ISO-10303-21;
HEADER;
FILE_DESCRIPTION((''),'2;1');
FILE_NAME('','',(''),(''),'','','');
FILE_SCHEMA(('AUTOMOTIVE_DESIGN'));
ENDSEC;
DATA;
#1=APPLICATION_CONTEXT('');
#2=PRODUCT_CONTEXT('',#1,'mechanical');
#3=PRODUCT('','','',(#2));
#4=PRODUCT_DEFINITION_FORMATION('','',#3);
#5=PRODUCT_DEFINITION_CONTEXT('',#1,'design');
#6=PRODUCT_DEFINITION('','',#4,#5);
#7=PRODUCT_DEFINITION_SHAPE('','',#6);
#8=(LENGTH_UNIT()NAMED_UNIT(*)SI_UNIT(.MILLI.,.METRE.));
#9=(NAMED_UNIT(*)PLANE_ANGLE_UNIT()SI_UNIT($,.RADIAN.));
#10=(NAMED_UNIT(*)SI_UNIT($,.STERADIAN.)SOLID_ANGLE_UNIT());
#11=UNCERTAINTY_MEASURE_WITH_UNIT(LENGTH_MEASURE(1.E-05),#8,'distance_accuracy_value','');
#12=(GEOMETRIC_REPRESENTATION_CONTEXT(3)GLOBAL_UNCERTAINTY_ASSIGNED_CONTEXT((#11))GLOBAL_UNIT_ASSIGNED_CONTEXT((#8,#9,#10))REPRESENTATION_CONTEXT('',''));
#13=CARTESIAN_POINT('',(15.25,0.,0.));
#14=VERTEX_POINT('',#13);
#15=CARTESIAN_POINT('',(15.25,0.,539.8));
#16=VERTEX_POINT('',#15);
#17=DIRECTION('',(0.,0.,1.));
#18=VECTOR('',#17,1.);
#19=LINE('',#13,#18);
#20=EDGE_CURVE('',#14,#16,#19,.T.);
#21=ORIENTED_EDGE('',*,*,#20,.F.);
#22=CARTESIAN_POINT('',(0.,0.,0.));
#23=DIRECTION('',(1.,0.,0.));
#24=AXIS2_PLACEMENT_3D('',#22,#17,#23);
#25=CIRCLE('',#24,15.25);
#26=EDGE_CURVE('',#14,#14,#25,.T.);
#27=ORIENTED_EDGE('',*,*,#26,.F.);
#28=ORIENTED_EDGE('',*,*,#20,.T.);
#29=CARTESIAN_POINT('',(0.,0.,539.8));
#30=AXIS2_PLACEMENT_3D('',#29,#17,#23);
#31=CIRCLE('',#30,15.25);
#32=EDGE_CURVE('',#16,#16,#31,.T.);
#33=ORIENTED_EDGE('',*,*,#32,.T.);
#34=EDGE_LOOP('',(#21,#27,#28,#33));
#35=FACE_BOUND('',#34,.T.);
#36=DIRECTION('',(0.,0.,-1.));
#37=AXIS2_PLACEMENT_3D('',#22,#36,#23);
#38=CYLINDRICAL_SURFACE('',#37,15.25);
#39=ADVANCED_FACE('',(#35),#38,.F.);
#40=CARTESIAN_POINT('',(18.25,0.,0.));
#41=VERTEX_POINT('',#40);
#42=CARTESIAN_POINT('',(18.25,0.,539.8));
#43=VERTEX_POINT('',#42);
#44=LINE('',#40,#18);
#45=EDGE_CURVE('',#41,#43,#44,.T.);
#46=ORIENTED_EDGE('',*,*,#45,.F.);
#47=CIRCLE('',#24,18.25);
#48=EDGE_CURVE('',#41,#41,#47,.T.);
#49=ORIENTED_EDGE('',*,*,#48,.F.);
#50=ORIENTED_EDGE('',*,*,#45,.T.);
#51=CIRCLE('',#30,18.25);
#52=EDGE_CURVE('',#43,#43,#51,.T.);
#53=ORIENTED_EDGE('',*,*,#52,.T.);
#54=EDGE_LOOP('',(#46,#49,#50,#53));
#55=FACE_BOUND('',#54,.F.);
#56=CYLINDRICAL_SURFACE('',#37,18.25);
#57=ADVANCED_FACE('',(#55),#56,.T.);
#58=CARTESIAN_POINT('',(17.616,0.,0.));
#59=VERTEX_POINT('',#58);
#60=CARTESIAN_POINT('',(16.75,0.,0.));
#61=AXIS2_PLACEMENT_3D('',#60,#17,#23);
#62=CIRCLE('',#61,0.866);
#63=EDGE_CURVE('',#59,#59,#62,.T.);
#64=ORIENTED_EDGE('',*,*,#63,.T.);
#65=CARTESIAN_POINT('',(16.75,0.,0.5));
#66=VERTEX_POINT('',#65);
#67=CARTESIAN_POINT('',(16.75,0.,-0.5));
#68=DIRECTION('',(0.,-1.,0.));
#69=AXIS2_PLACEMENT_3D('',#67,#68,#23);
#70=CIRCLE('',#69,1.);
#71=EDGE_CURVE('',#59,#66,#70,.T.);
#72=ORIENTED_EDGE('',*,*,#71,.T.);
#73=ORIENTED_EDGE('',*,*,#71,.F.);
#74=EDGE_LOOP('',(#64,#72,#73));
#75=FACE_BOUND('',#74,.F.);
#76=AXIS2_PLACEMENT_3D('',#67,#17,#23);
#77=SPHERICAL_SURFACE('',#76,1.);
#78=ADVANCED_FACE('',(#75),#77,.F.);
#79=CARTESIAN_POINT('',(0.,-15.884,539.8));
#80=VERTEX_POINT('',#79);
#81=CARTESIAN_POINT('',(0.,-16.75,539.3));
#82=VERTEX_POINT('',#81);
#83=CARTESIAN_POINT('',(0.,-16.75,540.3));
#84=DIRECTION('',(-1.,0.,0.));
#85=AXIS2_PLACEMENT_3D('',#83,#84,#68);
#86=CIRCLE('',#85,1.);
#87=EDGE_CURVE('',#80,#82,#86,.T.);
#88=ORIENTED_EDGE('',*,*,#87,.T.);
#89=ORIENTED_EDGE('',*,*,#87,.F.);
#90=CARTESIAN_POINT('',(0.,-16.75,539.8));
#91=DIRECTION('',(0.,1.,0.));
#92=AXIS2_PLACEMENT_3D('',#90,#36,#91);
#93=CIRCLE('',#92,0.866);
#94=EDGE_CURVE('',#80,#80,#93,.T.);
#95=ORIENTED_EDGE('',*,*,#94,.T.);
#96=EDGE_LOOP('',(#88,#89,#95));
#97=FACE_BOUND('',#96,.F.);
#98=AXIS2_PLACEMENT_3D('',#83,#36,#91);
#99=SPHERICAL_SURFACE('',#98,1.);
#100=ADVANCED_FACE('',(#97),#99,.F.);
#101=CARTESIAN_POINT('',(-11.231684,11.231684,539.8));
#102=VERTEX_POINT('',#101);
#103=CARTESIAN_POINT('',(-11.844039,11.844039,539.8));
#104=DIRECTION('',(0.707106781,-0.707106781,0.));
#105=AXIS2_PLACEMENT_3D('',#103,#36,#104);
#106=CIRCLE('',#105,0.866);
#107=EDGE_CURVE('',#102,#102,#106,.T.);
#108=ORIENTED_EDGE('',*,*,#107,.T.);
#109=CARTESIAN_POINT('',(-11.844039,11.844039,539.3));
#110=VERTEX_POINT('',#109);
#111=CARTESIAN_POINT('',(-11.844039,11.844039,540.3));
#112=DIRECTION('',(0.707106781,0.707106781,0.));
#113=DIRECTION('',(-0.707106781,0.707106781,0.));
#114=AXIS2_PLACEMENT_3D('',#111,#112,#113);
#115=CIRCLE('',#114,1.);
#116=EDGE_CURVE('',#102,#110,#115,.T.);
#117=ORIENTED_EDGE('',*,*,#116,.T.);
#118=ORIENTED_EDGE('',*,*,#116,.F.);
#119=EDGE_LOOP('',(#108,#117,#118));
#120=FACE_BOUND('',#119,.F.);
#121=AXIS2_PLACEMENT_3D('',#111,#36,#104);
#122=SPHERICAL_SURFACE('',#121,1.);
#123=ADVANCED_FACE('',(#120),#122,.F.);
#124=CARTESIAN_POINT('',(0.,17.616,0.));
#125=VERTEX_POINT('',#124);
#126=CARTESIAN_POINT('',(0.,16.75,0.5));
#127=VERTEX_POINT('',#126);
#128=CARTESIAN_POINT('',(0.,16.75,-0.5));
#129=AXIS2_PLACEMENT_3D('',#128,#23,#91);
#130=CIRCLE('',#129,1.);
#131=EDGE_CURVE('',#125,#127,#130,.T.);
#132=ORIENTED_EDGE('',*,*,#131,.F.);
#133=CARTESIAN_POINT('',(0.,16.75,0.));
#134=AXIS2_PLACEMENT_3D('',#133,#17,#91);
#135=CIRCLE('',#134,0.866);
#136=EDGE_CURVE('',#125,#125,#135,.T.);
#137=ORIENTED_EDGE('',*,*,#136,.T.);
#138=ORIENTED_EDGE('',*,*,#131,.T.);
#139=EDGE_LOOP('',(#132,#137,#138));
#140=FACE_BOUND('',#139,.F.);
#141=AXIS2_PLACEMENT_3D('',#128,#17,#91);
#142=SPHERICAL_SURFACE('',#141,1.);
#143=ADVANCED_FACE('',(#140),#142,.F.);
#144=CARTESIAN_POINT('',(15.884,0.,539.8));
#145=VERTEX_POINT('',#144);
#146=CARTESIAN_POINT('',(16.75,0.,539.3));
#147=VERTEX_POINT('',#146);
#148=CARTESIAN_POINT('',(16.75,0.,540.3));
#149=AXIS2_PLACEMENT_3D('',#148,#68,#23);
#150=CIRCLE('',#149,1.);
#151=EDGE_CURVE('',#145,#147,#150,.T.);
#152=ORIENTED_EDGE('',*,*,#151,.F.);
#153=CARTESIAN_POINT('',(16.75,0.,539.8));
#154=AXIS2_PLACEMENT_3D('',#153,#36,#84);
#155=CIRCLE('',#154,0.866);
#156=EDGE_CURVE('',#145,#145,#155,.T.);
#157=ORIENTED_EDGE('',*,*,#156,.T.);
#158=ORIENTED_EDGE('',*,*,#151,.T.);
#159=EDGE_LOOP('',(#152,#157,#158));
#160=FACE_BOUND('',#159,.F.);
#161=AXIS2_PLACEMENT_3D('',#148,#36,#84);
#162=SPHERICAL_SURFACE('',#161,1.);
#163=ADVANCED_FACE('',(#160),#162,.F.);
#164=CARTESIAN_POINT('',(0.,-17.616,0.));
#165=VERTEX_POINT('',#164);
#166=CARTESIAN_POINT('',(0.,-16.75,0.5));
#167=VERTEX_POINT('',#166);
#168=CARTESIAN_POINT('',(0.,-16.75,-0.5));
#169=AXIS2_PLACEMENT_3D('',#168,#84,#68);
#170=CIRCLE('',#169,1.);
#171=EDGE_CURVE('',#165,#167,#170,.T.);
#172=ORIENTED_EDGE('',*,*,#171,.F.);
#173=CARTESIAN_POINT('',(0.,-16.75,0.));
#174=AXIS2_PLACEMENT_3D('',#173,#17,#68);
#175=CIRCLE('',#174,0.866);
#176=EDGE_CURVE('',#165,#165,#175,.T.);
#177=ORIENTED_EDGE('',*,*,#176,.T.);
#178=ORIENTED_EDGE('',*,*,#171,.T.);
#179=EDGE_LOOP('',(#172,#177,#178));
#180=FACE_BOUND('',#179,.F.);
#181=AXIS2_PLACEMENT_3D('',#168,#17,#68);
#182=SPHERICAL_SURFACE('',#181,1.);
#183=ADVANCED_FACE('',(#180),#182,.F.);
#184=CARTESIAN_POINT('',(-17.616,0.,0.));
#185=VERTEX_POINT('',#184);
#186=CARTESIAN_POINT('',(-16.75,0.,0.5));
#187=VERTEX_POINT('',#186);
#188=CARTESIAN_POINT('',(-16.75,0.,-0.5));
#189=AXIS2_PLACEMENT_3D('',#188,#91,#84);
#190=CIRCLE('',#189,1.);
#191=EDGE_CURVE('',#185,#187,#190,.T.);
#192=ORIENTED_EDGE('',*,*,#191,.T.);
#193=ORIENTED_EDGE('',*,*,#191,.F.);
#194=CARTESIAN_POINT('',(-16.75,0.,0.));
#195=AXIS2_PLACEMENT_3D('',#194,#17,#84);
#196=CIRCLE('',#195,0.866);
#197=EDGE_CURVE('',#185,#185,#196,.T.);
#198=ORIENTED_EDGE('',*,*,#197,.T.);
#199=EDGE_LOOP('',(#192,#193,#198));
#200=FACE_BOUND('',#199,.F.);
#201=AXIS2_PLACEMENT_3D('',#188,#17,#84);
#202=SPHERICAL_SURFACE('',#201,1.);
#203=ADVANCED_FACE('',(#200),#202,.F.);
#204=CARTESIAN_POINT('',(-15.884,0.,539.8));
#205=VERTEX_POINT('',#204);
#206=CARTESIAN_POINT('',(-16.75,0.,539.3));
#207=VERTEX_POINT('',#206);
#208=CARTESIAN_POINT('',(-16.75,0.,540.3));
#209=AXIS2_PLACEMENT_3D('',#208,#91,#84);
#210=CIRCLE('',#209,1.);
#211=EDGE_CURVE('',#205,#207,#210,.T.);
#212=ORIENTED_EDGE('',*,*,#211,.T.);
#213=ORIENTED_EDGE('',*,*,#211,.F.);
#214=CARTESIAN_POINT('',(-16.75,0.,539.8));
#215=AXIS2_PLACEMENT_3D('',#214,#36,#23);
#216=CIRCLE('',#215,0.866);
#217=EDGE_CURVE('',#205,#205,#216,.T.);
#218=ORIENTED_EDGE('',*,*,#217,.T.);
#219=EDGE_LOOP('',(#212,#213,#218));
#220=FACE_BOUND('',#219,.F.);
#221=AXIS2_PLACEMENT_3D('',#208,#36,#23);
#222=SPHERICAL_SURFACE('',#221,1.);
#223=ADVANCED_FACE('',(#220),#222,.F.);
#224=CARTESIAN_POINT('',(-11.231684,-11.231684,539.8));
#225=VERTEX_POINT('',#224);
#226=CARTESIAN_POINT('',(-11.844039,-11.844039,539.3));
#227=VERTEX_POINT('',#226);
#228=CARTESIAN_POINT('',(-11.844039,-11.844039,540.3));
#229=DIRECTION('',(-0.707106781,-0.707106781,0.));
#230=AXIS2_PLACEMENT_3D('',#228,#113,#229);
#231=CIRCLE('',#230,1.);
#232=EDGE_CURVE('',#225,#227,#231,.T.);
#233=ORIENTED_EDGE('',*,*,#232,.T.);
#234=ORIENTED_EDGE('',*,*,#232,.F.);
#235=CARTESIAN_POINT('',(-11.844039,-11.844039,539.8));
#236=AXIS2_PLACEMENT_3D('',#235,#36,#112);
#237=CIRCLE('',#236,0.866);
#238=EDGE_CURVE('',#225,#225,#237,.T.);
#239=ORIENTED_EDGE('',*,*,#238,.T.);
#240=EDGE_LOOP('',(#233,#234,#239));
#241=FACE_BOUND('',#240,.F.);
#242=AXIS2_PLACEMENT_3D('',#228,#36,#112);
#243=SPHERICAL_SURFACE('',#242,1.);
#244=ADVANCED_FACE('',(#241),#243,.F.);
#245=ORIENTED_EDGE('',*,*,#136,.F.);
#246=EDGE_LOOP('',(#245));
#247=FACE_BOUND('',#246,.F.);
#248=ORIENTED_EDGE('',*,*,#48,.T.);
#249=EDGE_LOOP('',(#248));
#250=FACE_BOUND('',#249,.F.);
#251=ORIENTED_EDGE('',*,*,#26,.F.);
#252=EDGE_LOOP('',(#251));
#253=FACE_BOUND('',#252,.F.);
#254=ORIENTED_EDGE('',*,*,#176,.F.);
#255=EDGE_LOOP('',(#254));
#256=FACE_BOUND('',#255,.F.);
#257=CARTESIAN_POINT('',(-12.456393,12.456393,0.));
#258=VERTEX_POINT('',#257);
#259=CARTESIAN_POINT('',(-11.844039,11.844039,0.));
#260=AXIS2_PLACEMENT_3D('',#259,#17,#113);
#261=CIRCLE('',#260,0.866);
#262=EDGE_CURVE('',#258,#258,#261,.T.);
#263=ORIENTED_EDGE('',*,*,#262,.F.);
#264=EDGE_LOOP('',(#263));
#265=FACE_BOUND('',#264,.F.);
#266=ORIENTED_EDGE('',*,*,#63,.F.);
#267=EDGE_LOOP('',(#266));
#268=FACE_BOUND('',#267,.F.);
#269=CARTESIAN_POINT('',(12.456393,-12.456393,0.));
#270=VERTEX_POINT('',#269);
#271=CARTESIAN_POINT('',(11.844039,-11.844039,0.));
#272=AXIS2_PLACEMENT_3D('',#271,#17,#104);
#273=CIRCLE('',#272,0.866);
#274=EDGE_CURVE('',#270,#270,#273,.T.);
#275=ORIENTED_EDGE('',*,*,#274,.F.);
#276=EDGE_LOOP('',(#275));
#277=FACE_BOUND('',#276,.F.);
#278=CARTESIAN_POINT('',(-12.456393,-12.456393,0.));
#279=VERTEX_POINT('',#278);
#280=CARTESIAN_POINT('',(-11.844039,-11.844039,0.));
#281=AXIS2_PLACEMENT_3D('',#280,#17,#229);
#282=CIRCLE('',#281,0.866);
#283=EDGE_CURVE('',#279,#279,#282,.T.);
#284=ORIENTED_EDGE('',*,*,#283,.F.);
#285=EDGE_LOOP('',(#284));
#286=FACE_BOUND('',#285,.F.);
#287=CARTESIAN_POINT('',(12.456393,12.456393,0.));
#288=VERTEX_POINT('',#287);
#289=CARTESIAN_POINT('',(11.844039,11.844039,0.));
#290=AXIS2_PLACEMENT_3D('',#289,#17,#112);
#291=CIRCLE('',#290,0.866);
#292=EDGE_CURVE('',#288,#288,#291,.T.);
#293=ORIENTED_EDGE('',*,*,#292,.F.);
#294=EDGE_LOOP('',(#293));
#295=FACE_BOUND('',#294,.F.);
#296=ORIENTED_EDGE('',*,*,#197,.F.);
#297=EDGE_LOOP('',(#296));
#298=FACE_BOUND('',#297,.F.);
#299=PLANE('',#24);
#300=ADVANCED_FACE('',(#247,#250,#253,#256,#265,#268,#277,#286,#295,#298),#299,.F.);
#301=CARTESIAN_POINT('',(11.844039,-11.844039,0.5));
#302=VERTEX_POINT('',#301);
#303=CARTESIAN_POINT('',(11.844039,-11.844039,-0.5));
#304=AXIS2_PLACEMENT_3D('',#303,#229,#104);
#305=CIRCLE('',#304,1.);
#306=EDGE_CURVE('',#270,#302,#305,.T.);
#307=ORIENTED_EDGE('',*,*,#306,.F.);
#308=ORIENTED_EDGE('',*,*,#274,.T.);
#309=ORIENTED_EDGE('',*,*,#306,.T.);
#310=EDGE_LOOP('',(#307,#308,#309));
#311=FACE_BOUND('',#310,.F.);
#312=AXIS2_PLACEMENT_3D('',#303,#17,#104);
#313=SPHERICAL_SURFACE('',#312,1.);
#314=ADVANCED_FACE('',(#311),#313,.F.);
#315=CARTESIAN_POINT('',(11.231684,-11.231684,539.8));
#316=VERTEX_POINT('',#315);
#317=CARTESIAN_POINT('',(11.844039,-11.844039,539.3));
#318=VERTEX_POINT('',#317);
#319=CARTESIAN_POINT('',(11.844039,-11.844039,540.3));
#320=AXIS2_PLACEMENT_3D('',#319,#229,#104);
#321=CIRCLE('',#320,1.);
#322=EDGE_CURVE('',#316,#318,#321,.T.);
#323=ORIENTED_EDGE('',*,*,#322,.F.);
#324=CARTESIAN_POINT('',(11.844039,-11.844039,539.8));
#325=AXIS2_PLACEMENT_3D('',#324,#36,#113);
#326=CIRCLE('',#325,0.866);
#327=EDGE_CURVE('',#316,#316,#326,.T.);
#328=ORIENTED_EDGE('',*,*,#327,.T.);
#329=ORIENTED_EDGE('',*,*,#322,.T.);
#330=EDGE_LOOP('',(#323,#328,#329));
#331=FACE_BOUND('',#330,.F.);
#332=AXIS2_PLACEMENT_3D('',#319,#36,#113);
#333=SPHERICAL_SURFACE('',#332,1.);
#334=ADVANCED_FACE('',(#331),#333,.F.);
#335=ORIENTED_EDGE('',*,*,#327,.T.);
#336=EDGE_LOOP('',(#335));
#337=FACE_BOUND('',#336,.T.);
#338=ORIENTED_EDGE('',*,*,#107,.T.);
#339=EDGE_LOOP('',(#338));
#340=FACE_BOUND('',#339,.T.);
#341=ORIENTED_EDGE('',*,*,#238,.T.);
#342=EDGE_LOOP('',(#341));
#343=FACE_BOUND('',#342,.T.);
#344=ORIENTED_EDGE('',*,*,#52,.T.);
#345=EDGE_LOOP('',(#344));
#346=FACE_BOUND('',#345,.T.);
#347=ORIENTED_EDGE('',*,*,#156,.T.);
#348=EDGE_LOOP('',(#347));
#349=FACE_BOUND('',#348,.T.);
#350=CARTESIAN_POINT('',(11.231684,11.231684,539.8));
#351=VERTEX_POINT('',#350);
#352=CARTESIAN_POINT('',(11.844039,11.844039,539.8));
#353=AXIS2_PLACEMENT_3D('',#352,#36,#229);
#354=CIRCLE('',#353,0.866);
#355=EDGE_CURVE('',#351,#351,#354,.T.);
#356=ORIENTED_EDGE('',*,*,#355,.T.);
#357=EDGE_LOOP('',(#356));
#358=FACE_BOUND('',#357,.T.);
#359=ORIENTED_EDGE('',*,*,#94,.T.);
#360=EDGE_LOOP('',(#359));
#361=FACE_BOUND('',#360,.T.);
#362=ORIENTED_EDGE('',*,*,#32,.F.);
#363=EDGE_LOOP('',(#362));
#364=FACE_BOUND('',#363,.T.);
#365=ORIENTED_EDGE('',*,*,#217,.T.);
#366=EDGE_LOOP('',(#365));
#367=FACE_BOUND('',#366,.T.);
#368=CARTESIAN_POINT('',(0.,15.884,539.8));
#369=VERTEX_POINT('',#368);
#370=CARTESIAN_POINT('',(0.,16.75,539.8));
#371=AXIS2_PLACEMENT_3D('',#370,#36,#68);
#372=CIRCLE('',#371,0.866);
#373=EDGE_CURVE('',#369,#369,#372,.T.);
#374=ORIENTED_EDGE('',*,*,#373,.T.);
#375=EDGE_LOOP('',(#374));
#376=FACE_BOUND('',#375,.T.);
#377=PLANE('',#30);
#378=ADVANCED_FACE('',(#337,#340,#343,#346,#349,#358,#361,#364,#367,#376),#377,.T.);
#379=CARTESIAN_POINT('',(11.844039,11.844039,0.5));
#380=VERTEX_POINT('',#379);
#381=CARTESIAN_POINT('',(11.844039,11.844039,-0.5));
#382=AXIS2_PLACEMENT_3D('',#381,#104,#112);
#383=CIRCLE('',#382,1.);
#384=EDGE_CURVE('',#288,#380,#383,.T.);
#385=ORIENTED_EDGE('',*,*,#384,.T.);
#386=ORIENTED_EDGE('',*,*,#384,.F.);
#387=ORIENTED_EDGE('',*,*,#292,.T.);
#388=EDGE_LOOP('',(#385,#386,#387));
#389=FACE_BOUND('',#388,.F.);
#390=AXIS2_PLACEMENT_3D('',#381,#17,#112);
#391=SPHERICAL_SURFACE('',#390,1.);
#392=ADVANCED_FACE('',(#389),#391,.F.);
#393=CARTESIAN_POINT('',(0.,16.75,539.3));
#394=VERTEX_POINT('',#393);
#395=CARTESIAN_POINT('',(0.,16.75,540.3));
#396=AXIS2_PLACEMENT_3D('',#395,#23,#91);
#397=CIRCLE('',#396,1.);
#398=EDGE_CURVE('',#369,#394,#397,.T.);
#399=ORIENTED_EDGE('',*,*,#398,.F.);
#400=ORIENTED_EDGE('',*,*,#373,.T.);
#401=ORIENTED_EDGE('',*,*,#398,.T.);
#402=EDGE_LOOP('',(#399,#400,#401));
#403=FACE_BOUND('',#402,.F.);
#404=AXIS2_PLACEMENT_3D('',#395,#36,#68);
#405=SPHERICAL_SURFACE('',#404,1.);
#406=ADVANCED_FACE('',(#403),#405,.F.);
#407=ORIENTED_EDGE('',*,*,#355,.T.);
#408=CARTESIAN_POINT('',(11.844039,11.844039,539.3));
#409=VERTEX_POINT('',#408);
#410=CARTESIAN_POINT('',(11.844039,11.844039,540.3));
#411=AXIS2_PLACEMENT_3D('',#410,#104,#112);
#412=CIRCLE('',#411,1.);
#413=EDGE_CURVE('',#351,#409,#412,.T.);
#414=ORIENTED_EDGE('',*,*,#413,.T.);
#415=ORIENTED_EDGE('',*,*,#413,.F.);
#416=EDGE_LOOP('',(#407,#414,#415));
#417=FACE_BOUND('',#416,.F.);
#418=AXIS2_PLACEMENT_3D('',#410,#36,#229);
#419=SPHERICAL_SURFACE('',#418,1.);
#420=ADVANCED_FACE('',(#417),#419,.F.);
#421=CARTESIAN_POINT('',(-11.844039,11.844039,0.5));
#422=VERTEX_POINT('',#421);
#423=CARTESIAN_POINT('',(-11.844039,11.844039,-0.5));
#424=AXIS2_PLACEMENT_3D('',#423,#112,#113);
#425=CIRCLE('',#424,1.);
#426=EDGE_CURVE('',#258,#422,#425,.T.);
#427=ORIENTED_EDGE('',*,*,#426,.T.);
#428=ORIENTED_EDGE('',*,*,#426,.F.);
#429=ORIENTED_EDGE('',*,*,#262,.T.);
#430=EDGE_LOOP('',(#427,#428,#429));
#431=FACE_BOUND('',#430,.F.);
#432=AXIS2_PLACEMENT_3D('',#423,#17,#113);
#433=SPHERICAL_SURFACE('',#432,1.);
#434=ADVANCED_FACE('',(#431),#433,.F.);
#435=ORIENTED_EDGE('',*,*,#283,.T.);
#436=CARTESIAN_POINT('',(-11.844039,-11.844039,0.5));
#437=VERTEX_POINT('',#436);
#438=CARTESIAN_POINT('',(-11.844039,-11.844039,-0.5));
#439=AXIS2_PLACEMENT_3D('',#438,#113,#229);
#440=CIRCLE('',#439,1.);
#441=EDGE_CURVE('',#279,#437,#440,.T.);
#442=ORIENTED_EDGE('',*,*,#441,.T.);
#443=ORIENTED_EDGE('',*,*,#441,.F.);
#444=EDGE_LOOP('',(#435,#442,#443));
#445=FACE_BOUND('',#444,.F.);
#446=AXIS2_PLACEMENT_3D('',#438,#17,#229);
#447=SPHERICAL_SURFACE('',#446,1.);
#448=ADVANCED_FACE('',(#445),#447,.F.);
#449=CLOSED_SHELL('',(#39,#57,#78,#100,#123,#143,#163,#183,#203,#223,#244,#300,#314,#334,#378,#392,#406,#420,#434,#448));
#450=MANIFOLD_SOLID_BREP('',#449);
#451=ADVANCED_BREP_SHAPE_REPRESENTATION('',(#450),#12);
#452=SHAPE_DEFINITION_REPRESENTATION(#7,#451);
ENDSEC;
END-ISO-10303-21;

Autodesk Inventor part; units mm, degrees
ref_plane "YZ Plane" through (0, 0, 0) normal (1, 0, 0) x (0, 1, 0)
ref_plane "XZ Plane" through (0, 0, 0) normal (0, 1, 0) x (-1, 0, 0)
ref_plane "XY Plane" through (0, 0, 0) normal (0, 0, 1) x (1, 0, 0)
sketch "Sketch1" plane through (0, 0, 0) normal (0, 0, 1) x (1, 0, 0)
  circle A0 centre (0, 0) radius 15.25
  circle A1 centre (0, 0) radius 18.25
  dimension "d0" = 30.5
  dimension "d1" = 36.5
extrude "Extrusion1" add sketch "Sketch1" along normal blind 539.8
sketch "Sketch2" plane through (0, 0, 0) normal (0, 1, 0) x (-1, 0, 0)
  line L0 (18.25, 0) -> (18.25, 539.8) projected
  line L1 (15.25, 0) -> (15.25, 539.8) projected
  line L2 (-18.25, 539.8) -> (18.25, 539.8) projected
  line L3 (-18.25, 0) -> (18.25, 0) projected
  line L4 (16.75, 539.8) -> (16.75, 484.0456)
  line L5 (16.75, 527.9588) -> (15.25, 527.9588)
  line L6 (16.75, 525.4794) -> (18.25, 525.4794)
  line L7 (16.75, 539.8) -> (16.75, 545.2687)
  circle A0 centre (16.75, 540.3) radius 1
  line L8 (16.75, 539.8) -> (16.75, 539.3)
  line L9 (16.75, 539.8) -> (15.884, 539.8)
  arc A1 (15.884, 539.8) -> (16.75, 539.3) centre (16.75, 540.3) ccw
  dimension "d4" = 2
  dimension "d5" = 0.5
revolve "Revolution1" cut sketch "Sketch2" angle 360 about axis through (-16.75, 0, 539.8) along (0, 0, -1) picked at (16.2136, 539.7436) contours L4 A0 L2
pattern_circular "Circular Pattern2" count 8 over 360 about axis through (0, 0, 0) along (0, 0, 1) of "Revolution1"
sketch "Sketch3" plane through (0, 0, 0) normal (0, 1, 0) x (-1, 0, 0)
  line L0 (18.25, 0) -> (18.25, 539.8) projected
  line L1 (15.25, 0) -> (15.25, 539.8) projected
  line L2 (-18.25, 0) -> (18.25, 0) projected
  line L3 (16.75, 0) -> (16.75, 57.9102)
  line L4 (16.75, 9.1086) -> (15.25, 9.1086)
  line L5 (16.75, 7.2128) -> (18.25, 7.2128)
  line L6 (16.75, 0) -> (16.75, -10.4)
  circle A0 centre (16.75, -0.5) radius 1
  line L7 (16.75, 0.5) -> (16.75, 0)
  line L8 (16.75, 0) -> (17.616, 0)
  arc A1 (17.616, 0) -> (16.75, 0.5) centre (16.75, -0.5) ccw
  dimension "d13" = 2
  dimension "d14" = 0.5
revolve "Revolution2" cut sketch "Sketch3" angle 360 about axis through (-16.75, 0, 0) along (0, 0, 1) picked at (17.2864, 0.0564) contours L2 L3 A0
pattern_circular "Circular Pattern3" count 8 over 360 about axis through (0, 0, 0) along (0, 0, 1) of "Revolution2"
properties part number "Electrode 3"
